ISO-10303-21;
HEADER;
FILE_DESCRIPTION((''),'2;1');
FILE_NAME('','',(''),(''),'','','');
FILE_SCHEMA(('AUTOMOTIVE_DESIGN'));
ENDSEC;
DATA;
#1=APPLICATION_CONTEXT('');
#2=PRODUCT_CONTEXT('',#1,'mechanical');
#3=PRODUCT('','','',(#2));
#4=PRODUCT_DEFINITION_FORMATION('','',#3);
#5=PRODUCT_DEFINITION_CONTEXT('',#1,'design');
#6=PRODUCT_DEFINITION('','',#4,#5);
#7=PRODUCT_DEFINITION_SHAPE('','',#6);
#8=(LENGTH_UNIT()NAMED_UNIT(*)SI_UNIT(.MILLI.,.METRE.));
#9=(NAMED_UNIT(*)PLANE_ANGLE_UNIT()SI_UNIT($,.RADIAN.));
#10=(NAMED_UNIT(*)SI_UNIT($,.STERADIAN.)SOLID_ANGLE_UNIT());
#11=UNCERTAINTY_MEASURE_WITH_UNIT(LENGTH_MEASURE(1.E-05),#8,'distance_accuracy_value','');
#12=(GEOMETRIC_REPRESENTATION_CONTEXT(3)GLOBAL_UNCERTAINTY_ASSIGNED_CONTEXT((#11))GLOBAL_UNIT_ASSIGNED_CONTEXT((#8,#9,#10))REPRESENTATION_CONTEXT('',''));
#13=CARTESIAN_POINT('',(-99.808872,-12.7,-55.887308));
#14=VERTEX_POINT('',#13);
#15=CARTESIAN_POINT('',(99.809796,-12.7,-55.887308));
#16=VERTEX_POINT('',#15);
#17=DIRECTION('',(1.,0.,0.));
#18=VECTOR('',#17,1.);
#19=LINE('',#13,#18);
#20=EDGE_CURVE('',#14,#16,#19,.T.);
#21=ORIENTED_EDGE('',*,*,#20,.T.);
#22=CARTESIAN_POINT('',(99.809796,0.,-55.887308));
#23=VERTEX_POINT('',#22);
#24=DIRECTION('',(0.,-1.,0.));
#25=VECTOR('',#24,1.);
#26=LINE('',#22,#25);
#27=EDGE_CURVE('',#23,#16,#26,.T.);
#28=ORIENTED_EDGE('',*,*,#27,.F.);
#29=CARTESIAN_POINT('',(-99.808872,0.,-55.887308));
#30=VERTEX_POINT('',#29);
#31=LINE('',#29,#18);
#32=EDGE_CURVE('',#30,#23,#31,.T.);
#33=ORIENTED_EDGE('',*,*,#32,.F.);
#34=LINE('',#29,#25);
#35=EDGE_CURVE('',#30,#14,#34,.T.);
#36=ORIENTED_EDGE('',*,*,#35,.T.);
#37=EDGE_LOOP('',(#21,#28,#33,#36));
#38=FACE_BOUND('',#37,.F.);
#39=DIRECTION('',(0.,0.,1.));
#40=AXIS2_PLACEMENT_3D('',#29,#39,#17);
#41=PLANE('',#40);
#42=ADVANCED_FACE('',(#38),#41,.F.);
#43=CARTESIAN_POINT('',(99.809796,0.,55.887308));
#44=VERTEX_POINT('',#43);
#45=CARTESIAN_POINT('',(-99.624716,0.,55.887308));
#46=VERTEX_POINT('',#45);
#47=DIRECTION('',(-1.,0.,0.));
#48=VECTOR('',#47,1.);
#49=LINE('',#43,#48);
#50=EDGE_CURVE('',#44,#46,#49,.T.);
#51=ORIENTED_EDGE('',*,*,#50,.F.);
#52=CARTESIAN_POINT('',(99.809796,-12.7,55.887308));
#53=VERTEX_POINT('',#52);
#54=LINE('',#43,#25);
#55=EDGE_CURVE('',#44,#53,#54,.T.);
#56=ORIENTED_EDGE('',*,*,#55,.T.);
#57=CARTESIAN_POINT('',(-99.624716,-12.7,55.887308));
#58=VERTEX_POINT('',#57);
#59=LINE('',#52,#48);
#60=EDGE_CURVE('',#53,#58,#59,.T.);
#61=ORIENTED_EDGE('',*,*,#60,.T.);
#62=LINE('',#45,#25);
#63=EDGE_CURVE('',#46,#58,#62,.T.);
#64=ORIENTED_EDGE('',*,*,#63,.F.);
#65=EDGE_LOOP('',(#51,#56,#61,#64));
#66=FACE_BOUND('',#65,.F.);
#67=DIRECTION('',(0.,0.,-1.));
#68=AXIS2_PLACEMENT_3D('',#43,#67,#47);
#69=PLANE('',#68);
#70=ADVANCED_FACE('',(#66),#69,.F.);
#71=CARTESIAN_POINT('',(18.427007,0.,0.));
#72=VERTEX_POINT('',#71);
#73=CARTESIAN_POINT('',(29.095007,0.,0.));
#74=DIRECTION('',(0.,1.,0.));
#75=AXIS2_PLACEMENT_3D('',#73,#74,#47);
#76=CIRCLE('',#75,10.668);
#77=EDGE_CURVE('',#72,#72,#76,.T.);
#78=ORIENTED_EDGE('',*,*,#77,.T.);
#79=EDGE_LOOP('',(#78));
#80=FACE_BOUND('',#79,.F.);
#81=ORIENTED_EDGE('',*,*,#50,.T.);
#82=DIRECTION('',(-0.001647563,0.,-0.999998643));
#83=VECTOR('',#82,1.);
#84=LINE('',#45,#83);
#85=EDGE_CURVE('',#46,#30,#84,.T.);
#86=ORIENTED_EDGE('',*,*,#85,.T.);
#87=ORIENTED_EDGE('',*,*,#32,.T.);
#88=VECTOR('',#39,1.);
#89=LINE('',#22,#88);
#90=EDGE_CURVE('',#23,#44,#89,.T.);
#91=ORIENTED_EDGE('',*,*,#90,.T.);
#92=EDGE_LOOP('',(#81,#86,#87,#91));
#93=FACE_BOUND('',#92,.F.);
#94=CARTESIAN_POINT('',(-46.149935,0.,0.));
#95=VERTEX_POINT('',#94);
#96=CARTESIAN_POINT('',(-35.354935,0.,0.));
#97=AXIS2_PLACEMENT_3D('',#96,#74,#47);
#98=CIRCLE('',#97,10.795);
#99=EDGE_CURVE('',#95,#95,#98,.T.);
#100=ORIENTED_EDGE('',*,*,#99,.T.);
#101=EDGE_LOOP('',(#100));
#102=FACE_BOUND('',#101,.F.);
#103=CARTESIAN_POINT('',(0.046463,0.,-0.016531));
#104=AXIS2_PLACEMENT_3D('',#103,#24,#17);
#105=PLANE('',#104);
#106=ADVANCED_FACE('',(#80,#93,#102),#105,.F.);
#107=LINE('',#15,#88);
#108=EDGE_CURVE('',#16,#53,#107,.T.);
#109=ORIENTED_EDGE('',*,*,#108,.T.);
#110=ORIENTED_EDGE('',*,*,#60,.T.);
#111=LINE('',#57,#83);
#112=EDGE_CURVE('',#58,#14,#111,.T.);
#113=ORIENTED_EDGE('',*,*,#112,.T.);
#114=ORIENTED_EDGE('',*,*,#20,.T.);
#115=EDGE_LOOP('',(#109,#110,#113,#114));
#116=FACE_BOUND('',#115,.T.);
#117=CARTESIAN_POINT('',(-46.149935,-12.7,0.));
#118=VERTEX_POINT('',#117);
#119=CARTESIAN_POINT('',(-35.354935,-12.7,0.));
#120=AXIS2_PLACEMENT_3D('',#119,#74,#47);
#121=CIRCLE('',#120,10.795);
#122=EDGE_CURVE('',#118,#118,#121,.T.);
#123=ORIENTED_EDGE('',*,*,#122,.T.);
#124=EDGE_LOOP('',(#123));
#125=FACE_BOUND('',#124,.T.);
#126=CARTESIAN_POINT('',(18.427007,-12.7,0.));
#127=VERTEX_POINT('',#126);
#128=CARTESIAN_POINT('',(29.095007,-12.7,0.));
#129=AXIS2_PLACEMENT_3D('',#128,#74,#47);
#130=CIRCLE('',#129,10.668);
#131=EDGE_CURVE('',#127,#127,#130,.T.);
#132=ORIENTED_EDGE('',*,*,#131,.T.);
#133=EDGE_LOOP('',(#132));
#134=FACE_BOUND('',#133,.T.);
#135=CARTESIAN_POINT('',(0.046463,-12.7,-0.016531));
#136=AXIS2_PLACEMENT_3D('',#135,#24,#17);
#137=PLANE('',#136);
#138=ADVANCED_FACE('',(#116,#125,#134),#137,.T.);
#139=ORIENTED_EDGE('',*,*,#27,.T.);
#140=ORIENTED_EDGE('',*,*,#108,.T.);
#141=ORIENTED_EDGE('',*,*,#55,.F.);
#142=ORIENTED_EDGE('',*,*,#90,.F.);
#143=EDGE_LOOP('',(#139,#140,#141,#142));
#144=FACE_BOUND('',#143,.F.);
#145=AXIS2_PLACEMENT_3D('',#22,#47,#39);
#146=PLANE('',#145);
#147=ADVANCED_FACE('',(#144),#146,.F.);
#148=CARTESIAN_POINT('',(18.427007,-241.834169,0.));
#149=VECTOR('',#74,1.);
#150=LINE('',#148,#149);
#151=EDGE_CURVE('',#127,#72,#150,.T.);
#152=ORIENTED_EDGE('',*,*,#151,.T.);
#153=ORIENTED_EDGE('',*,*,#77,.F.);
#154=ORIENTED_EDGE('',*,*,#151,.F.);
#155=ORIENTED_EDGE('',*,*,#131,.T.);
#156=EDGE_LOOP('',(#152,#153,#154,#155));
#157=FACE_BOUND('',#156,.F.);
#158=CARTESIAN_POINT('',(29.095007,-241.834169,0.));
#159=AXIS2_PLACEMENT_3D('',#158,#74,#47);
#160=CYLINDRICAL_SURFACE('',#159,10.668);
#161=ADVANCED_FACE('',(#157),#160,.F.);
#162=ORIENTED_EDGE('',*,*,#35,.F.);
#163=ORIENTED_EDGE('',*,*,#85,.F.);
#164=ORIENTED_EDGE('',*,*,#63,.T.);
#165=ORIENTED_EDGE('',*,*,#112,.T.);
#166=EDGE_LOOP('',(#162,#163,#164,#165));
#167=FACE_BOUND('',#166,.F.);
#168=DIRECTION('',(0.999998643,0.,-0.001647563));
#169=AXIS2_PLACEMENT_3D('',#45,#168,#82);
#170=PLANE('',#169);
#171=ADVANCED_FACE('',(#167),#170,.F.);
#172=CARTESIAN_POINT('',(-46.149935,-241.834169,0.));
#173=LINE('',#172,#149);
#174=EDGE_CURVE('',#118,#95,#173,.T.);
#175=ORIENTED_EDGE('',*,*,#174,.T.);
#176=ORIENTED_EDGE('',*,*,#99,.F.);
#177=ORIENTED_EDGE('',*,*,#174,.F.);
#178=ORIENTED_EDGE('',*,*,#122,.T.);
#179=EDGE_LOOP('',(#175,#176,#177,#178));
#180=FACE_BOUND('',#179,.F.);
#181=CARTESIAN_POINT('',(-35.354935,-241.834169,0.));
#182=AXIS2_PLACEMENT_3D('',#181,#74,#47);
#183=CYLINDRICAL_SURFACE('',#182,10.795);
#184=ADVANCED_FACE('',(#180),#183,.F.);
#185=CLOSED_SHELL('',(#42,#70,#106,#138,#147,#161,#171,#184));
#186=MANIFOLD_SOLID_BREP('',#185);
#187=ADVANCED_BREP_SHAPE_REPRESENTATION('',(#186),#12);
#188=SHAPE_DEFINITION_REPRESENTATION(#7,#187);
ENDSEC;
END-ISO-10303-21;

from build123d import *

# Parameters (mm, degrees)
F1_DEPTH = 12.7
F3_D     = 21.59
F5_D     = 21.336


with BuildPart() as f1:
    # F0 (on Front) → F1 (new body)
    with BuildSketch(Plane.XZ):
        Polygon((99.809796, 55.887308), (-99.624716, 55.887308), (-99.808872, -55.887308), (99.809796, -55.887308), align=None)
    extrude(amount=F1_DEPTH)

    # F3 (through all)
    with Locations(Plane.XZ.offset(12.7)):
        with Locations((-35.354935, 0)):
            Hole(F3_D / 2)

    # F5 (through all)
    with Locations(Plane.XZ.offset(12.7)):
        with Locations((29.095007, 0)):
            Hole(F5_D / 2)


solid = f1.part
